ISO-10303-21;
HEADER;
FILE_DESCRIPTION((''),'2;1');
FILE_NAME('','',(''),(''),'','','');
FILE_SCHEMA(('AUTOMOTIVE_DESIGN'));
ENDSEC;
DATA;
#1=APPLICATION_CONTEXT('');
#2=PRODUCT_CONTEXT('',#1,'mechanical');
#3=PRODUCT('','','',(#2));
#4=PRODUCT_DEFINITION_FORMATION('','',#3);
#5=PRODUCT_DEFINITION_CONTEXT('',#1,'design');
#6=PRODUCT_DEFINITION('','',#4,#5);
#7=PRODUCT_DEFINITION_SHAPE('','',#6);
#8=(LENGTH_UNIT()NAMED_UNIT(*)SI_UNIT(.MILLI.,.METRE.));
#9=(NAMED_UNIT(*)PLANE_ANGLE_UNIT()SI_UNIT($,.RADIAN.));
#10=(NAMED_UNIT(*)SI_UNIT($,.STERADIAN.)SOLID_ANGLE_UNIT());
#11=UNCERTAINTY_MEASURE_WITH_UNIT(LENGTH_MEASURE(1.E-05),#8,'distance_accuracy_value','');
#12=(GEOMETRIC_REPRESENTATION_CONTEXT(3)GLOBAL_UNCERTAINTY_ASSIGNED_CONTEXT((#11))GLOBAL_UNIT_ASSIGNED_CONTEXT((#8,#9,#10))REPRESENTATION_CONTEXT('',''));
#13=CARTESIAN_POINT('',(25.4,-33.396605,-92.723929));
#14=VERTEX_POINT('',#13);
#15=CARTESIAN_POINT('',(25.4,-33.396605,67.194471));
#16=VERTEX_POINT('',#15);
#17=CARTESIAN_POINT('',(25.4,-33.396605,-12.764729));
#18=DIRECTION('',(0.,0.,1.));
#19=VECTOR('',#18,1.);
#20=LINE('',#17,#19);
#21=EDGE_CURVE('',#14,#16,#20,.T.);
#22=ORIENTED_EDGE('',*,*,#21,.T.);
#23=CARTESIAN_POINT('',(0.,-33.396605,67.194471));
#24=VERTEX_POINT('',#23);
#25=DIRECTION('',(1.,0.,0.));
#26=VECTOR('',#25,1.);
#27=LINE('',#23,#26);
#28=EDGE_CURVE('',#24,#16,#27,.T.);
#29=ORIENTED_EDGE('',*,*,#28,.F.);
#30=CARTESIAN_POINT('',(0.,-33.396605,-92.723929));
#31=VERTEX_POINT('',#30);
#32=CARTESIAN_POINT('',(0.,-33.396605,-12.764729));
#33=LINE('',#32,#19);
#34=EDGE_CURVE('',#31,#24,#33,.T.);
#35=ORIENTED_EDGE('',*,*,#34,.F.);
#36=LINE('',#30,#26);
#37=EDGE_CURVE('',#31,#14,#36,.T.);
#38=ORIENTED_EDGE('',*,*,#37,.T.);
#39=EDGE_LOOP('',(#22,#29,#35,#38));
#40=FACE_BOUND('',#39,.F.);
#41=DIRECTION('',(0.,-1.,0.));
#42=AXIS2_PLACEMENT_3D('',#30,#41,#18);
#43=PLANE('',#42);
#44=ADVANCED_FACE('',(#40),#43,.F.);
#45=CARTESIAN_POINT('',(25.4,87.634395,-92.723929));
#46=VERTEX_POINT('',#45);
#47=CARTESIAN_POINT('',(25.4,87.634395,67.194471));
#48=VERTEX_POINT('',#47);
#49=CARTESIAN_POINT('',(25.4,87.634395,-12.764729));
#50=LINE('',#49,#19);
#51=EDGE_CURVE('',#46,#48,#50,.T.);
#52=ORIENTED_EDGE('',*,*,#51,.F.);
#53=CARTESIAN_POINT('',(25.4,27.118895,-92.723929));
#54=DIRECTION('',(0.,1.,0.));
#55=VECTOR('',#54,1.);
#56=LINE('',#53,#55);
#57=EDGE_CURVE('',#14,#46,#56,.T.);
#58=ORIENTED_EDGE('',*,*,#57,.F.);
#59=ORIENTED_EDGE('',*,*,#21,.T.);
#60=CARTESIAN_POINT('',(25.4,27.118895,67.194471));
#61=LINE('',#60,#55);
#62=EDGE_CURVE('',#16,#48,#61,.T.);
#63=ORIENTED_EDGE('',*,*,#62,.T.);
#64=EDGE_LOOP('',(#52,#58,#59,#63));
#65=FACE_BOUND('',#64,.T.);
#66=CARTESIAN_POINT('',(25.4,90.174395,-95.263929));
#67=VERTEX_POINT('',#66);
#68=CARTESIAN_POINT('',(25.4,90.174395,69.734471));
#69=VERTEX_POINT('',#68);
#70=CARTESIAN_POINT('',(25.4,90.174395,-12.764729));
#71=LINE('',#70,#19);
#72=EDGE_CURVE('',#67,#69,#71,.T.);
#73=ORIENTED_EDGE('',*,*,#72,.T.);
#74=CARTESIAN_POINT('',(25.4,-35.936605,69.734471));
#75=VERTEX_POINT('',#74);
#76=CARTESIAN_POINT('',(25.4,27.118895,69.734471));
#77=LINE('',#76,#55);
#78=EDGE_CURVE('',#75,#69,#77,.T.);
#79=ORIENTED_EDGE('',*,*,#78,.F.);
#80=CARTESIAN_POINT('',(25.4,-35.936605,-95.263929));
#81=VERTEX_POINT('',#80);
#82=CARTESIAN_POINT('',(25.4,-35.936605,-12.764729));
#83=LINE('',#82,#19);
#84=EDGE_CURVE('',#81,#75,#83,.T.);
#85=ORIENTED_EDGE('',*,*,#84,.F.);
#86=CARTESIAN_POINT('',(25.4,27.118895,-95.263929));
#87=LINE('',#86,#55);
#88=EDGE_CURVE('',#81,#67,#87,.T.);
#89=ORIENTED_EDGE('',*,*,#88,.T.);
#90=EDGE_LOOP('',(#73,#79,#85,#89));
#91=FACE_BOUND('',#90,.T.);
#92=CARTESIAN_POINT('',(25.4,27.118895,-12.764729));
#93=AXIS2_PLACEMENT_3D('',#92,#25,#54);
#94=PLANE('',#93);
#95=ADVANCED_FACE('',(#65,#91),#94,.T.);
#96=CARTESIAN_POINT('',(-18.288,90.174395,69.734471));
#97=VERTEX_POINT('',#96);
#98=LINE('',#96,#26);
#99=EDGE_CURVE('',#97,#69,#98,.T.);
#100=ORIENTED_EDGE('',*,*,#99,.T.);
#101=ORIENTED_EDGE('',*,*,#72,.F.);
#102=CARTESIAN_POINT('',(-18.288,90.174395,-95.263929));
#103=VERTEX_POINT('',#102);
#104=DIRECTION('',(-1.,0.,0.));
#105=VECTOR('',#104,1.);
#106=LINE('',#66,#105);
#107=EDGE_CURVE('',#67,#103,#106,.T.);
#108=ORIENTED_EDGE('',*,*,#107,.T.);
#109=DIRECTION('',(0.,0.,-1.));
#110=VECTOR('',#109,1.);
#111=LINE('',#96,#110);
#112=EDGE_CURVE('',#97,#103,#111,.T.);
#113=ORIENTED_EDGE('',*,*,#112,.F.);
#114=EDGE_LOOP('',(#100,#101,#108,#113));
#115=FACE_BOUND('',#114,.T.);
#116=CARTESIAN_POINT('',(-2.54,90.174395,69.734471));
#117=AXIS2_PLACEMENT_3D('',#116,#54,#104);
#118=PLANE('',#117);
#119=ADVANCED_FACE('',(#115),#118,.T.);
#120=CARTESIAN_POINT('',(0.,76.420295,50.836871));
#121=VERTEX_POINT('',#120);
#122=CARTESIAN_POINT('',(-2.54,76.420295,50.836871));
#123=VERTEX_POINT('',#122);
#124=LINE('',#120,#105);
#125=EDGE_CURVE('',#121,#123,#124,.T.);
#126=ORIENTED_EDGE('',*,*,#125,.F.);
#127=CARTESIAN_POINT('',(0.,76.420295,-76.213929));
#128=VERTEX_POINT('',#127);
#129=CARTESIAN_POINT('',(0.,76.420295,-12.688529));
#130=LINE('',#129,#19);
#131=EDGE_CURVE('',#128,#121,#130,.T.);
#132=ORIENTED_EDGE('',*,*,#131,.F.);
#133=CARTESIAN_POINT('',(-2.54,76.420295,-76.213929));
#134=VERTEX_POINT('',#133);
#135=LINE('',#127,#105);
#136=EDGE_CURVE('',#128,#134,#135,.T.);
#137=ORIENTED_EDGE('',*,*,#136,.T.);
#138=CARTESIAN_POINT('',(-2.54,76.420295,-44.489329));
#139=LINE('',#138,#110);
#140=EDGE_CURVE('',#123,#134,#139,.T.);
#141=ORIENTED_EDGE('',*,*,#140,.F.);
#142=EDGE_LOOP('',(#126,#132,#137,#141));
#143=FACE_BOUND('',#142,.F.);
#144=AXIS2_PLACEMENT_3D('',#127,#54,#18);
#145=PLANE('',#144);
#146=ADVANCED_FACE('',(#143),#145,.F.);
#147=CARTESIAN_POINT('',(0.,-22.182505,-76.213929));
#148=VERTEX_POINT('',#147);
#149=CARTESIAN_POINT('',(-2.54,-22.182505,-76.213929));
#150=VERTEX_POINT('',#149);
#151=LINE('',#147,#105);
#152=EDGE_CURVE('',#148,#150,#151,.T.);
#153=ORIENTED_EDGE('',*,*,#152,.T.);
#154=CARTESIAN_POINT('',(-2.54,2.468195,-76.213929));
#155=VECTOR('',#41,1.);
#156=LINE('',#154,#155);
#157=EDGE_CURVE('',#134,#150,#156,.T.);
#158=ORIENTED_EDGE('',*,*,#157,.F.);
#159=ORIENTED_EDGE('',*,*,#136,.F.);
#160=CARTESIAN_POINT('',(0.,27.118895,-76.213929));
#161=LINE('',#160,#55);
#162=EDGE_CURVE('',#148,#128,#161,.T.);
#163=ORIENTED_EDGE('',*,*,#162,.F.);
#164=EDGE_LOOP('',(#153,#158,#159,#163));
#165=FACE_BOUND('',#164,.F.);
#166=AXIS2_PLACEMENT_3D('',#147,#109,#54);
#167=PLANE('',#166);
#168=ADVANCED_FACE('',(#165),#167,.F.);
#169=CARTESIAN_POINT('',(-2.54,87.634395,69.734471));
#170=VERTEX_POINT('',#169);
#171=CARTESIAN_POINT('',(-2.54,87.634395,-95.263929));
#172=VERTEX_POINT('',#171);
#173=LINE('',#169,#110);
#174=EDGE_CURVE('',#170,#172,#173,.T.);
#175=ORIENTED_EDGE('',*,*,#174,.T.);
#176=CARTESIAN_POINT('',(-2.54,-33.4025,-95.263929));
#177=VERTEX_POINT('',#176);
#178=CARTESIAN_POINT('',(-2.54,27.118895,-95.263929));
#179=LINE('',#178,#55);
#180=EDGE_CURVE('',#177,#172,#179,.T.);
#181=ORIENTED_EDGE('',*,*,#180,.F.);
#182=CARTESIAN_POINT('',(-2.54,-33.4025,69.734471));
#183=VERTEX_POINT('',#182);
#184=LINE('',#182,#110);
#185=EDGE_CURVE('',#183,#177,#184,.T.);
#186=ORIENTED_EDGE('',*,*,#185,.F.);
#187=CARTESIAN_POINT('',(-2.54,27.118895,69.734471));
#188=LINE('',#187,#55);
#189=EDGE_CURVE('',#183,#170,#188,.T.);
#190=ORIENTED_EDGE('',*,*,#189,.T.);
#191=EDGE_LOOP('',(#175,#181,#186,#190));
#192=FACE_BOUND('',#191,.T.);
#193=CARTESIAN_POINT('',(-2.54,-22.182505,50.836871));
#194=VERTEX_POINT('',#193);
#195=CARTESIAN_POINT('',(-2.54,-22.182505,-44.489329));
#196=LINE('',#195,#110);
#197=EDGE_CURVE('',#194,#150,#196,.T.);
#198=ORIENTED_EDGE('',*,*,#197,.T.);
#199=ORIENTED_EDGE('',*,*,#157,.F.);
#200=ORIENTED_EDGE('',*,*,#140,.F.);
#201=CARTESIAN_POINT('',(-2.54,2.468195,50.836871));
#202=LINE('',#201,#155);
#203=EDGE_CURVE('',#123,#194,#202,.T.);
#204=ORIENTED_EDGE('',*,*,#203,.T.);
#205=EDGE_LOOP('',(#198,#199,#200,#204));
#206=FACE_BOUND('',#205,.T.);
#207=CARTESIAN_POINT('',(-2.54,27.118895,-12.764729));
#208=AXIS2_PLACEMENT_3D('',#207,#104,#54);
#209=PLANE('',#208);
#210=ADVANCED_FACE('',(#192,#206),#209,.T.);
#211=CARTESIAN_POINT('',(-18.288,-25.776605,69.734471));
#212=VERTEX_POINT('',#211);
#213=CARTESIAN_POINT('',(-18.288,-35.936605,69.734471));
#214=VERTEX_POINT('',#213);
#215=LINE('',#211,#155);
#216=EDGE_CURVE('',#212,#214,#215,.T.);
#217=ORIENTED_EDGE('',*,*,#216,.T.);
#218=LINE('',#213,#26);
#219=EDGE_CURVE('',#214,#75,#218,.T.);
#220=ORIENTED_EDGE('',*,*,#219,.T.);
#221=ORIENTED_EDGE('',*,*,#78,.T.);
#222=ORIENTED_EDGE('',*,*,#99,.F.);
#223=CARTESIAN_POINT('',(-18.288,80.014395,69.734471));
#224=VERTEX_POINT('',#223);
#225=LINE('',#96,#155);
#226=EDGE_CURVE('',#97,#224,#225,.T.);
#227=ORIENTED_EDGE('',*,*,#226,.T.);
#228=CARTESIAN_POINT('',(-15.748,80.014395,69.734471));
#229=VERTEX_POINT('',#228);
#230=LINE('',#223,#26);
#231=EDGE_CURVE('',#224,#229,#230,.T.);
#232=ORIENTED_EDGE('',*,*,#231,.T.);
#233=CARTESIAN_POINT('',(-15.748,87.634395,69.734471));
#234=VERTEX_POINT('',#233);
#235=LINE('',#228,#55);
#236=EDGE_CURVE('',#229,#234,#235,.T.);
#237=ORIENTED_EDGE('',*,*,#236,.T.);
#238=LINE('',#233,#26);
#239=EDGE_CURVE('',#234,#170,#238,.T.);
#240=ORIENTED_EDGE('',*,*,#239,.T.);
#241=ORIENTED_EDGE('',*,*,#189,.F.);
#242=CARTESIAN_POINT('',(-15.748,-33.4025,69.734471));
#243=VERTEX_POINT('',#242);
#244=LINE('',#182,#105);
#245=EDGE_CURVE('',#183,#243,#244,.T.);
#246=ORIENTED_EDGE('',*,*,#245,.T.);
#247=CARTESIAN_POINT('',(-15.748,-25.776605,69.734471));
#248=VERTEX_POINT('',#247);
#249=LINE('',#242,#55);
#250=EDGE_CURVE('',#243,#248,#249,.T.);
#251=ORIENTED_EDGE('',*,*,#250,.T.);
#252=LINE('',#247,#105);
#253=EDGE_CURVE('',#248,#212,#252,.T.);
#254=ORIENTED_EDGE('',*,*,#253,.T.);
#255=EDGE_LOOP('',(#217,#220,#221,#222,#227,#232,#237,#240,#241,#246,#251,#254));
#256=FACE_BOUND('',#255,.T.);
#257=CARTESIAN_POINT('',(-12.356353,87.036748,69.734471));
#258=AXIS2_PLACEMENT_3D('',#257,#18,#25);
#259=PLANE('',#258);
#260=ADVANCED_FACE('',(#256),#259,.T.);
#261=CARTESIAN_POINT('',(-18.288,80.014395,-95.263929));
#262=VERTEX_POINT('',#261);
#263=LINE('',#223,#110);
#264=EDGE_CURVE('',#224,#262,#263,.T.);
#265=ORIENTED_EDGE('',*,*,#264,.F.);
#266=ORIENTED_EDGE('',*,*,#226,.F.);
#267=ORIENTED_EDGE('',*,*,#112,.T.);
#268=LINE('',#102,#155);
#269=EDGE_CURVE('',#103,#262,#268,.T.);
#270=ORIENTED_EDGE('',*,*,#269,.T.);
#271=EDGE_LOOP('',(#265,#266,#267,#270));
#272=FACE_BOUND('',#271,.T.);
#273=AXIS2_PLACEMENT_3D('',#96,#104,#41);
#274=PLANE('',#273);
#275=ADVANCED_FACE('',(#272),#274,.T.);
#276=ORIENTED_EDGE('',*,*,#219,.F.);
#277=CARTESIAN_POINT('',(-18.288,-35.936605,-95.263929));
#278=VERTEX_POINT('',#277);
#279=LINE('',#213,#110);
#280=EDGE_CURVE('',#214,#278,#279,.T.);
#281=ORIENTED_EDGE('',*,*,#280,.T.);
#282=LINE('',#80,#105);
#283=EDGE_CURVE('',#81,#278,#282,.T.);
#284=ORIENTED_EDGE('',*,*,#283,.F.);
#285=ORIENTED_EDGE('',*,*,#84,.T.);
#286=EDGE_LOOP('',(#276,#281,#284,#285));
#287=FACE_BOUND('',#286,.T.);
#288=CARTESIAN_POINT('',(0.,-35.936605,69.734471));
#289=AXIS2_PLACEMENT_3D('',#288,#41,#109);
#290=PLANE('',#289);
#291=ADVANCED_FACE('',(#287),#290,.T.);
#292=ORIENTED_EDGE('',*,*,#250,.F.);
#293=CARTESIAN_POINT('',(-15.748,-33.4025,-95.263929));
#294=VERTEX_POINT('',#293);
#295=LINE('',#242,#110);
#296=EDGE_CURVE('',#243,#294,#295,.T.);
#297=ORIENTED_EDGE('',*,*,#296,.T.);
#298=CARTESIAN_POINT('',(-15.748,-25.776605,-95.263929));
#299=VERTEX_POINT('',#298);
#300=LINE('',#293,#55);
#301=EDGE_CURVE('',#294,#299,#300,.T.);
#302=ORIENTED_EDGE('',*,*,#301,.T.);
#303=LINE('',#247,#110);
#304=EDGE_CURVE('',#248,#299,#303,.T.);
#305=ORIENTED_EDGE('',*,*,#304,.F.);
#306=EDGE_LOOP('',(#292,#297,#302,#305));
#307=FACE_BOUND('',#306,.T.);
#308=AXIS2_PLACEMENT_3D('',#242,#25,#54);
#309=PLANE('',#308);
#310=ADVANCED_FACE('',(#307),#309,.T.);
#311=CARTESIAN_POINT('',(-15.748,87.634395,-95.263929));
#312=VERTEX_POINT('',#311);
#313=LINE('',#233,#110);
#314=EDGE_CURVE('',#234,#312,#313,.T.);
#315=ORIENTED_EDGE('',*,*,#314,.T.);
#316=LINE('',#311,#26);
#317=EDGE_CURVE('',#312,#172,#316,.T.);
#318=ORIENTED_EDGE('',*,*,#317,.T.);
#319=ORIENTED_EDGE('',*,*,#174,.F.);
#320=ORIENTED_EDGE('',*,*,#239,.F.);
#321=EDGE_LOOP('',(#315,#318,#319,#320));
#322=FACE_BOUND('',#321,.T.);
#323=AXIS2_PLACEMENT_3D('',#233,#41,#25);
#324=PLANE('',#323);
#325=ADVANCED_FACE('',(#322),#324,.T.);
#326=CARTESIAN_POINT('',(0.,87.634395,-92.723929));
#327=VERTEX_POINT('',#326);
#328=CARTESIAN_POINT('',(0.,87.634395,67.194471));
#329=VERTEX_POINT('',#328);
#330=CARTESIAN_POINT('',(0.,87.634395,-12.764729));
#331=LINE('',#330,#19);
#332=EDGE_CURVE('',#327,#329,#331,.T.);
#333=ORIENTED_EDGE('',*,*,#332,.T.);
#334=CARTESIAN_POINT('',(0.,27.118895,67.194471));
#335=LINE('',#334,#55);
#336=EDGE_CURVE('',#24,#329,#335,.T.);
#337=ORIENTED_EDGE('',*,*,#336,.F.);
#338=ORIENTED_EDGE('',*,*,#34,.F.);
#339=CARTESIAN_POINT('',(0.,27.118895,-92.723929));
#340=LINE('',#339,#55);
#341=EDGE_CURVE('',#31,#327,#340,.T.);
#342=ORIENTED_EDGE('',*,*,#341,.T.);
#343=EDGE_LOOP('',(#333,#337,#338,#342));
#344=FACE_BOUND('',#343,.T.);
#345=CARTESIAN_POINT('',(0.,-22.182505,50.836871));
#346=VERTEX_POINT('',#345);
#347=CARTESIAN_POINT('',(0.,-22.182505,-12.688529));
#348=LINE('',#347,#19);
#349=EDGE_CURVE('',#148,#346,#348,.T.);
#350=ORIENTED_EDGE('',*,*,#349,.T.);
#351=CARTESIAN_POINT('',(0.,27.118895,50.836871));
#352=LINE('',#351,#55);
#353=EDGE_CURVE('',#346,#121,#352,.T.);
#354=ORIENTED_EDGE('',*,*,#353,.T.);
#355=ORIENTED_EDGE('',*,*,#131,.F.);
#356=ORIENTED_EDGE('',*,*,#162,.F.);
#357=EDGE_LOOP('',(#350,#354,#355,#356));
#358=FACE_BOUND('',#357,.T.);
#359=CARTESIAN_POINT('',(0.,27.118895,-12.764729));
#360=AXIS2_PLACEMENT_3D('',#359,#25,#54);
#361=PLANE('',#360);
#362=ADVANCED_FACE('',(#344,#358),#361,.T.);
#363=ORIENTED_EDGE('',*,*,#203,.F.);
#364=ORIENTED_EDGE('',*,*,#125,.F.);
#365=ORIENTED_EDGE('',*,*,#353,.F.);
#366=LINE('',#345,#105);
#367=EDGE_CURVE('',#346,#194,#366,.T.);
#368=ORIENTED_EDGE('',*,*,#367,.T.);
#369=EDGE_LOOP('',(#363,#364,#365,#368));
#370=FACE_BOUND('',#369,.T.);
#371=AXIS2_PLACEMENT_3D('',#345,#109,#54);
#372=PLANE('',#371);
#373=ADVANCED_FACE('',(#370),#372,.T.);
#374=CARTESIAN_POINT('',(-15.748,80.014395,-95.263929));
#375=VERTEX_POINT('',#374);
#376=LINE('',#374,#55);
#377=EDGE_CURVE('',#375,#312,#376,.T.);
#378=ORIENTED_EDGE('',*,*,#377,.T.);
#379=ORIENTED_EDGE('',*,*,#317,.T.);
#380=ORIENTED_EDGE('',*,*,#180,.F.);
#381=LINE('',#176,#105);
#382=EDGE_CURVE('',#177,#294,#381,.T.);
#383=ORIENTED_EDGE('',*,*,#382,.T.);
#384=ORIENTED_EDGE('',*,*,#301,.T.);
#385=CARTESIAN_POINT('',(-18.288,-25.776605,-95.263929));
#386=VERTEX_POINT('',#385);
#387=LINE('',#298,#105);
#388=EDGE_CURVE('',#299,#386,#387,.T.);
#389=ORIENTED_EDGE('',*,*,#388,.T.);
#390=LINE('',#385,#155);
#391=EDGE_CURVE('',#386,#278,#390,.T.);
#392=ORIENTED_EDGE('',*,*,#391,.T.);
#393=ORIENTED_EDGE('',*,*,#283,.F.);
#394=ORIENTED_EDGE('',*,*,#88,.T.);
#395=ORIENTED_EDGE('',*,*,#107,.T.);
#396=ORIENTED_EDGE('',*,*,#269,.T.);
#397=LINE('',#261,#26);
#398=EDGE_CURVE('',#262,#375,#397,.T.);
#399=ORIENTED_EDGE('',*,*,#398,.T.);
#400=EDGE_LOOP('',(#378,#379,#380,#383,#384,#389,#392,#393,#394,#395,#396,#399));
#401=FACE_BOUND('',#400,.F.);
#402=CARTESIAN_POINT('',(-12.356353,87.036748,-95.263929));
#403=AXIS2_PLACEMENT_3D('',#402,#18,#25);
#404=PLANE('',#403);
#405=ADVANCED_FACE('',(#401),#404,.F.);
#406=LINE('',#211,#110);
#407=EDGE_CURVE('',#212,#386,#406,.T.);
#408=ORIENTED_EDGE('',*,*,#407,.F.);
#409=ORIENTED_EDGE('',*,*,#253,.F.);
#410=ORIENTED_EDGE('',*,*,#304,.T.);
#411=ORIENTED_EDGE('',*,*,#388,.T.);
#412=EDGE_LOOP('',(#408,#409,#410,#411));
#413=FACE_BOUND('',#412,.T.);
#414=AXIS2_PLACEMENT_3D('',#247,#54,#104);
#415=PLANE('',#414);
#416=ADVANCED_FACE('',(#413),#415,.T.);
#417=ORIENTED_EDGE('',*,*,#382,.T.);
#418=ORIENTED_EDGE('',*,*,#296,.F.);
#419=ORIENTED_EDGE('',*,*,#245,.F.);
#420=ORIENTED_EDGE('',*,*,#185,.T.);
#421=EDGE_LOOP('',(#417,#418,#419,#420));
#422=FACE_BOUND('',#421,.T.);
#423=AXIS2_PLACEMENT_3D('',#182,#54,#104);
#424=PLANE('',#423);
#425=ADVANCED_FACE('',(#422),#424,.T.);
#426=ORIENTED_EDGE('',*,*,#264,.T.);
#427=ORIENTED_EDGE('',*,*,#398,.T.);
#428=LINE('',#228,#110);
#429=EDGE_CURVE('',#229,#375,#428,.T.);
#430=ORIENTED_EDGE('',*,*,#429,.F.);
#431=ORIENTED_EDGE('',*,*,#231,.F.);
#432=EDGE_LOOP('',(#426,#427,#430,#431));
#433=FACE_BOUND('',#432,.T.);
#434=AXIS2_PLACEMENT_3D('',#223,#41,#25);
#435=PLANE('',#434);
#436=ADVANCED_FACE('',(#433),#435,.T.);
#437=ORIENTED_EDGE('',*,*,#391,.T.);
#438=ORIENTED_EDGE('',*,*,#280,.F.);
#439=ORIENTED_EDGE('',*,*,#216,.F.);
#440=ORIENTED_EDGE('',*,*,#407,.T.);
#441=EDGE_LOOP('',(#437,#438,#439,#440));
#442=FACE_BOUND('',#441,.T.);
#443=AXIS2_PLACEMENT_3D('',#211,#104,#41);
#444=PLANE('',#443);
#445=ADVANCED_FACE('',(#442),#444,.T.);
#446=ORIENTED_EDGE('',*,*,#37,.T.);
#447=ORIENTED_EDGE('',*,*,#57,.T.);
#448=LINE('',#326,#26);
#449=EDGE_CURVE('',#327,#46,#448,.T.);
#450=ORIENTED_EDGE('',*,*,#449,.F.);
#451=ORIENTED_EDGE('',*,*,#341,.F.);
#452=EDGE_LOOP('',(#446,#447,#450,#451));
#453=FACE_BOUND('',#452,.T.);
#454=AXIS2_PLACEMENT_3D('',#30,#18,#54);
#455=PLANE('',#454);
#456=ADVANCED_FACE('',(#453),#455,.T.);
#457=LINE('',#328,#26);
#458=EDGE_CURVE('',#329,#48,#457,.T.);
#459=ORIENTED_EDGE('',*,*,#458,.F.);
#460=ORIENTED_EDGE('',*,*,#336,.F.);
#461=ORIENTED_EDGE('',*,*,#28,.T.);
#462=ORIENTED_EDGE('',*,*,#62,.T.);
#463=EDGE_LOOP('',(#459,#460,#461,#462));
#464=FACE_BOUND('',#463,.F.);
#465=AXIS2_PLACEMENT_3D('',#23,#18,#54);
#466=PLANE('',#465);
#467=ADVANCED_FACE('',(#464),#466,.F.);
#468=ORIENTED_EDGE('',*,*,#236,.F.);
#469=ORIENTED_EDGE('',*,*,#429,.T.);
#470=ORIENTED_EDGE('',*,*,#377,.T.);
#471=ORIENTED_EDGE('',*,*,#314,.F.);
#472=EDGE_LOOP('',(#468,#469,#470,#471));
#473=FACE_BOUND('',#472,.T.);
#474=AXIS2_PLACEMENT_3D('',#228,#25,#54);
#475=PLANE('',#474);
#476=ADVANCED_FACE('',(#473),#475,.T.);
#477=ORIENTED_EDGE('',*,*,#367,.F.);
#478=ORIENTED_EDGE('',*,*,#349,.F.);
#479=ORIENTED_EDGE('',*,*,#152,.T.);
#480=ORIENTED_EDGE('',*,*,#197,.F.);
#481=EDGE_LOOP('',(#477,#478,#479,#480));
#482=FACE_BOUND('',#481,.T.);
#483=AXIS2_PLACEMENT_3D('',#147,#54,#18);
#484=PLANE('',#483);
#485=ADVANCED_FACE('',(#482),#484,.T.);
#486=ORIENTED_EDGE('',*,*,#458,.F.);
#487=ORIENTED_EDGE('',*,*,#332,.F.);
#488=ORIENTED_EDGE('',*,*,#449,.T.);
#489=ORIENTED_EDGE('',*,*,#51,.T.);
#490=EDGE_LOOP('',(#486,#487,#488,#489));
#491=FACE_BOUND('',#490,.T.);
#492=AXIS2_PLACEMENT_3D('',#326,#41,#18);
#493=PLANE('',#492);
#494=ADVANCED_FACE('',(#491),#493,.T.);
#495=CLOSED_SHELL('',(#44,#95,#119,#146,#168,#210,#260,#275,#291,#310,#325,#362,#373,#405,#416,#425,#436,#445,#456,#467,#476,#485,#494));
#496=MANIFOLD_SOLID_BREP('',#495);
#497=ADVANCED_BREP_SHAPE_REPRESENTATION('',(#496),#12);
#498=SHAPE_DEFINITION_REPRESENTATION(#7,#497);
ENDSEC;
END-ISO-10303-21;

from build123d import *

# Parameters (mm, degrees)
F0_W        = 126.111
F0_H        = 164.9984
F0_W_2      = 121.031
F0_H_2      = 159.9184
F1_DEPTH    = 25.4
F1_FACE_W   = 126.111
F1_FACE_H   = 164.9984
F1_FACE_W_2 = 121.031
F1_FACE_H_2 = 159.9184
F2_DEPTH    = 2.54
F4_DEPTH    = 164.9984
F5_W        = 98.6028
F5_H        = 127.0508
F6_DEPTH    = 25.4


with BuildPart() as f1:
    # F0 (on Right) → F1 (new body)
    with BuildSketch(Plane.YZ):
        with Locations((27.1188945978, -12.7647293852)):
            Rectangle(F0_W, F0_H)
        with Locations((27.1188945978, -12.7647293852)):
            Rectangle(F0_W_2, F0_H_2, mode=Mode.SUBTRACT)
    extrude(amount=F1_DEPTH)

    # F1_face (on face) + F0 (on Right) → F2 (join)
    with BuildSketch(Plane(origin=(0, 27.1188945978, -12.7647293852), x_dir=(0, 1, 0), z_dir=(-1, 0, 0))):
        Rectangle(F1_FACE_W, F1_FACE_H)
        Rectangle(F1_FACE_W_2, F1_FACE_H_2, mode=Mode.SUBTRACT)
    with BuildSketch(Plane.YZ):
        with Locations((27.1188945978, -12.7647293852)):
            Rectangle(F0_W, F0_H)
        with Locations((27.1188945978, -12.7647293852)):
            Rectangle(F0_W_2, F0_H_2, mode=Mode.SUBTRACT)
        with Locations((27.1188945978, -12.7647293852)):
            Rectangle(F0_W_2, F0_H_2)
    extrude(amount=F2_DEPTH, dir=(-1, 0, 0))

    # F3 (on face) → F4 (join)
    with BuildSketch(Plane.XY.offset(69.7344706148)):
        Polygon((-2.54, 87.6343945978), (-2.54, 90.1743945978), (-18.288, 90.1743945978), (-18.288, 80.0143945978), (-15.748, 80.0143945978), (-15.748, 87.6343945978), align=None)
        Polygon((-2.54, -35.9366054022), (-2.54, -33.4024998063), (-15.748, -33.4024998063), (-15.748, -25.7766054022), (-18.288, -25.7766054022), (-18.288, -35.9366054022), align=None)
    extrude(amount=-F4_DEPTH)

    # F5 (on face) → F6 (cut)
    with BuildSketch(Plane.YZ):
        with Locations((27.1188945978, -12.6885293852)):
            Rectangle(F5_W, F5_H)
    extrude(amount=-F6_DEPTH, mode=Mode.SUBTRACT)


solid = f1.part
